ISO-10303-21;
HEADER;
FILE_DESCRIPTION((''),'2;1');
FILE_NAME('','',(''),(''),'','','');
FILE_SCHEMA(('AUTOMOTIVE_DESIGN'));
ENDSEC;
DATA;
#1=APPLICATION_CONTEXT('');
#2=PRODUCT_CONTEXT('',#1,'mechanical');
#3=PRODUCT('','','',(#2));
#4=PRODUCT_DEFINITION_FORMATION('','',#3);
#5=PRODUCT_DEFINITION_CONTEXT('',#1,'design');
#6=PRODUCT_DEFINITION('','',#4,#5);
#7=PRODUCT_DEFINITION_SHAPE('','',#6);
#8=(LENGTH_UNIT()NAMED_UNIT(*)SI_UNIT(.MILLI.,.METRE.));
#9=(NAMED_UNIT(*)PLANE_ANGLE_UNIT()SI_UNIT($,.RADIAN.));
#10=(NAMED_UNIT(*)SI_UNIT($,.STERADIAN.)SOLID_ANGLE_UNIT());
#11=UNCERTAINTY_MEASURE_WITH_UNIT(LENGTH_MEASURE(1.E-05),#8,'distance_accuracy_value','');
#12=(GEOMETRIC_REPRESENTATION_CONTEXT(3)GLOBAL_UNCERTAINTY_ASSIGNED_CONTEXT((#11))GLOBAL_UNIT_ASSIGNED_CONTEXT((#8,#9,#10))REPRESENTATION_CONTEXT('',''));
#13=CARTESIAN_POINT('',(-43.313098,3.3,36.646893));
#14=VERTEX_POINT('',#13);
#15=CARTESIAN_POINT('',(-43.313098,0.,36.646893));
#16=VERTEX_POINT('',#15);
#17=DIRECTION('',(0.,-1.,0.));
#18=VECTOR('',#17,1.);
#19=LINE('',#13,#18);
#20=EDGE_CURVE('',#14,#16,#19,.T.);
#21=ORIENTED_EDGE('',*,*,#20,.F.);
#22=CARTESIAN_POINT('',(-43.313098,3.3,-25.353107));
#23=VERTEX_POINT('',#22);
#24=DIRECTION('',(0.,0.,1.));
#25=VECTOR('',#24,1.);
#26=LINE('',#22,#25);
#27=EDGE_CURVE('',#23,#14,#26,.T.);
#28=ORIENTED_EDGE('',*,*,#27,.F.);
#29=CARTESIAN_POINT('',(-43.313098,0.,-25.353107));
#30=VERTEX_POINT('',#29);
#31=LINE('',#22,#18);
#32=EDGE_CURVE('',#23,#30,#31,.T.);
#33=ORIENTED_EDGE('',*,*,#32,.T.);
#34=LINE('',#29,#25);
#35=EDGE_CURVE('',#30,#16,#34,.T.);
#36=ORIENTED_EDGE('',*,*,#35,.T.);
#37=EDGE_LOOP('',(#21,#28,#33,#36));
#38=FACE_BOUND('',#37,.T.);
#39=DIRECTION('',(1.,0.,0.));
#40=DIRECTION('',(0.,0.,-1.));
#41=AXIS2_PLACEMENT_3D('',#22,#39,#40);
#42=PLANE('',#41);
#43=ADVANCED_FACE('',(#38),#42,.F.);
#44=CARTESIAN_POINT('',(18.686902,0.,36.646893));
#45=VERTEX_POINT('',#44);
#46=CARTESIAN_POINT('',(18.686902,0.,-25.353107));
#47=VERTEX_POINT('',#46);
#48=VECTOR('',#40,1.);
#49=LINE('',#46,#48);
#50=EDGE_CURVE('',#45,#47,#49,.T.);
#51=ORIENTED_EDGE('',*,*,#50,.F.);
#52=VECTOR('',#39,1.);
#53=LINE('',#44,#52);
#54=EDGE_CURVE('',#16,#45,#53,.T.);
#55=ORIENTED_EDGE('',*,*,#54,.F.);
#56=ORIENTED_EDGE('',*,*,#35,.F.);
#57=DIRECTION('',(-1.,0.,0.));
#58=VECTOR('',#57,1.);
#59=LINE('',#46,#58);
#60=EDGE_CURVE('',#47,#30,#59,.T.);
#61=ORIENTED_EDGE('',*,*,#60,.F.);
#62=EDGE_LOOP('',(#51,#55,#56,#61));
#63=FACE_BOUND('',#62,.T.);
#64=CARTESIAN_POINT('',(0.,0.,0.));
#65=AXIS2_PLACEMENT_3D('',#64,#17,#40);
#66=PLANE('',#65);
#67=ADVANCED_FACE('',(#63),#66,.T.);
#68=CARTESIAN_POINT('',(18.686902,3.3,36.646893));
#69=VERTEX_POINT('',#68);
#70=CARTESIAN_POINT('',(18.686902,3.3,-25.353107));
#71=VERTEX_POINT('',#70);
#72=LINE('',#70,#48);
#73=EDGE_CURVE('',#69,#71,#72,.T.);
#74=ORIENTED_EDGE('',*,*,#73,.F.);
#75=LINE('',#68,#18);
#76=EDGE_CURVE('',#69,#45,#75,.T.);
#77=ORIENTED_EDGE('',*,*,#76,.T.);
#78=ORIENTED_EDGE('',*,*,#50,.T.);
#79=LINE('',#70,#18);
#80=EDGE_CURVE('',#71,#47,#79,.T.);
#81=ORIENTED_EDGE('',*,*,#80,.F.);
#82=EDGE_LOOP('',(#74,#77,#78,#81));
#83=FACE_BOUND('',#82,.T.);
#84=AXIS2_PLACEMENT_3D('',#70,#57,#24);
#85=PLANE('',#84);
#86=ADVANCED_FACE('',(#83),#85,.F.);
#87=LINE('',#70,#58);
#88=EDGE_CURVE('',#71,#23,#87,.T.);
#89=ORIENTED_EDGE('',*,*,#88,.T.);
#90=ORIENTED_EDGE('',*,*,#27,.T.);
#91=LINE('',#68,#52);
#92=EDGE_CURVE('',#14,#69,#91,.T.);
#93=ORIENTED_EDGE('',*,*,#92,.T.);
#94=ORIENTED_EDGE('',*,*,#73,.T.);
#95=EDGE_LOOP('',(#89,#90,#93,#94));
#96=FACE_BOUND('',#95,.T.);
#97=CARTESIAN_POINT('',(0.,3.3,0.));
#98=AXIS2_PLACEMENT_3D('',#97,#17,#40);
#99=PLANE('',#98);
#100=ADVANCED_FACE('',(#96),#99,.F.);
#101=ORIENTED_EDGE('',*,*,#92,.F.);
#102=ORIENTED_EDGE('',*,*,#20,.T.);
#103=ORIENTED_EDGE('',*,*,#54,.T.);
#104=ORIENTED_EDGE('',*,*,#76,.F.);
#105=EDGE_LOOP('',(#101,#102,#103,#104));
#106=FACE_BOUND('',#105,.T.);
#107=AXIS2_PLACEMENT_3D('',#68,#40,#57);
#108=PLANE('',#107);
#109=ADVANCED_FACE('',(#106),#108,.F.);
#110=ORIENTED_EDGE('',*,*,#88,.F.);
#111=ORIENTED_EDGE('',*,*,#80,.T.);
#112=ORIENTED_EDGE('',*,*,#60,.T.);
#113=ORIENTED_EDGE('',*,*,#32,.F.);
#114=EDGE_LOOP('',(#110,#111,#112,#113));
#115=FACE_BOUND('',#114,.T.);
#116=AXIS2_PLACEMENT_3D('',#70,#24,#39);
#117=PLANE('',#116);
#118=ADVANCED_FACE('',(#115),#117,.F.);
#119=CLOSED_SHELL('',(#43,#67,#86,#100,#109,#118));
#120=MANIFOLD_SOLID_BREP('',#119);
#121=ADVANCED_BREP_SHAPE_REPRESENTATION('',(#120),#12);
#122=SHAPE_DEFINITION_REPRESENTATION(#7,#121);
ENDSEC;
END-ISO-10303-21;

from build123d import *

# Parameters (mm, degrees)
SKETCH1_W           = 62
SKETCH1_H           = 62
BOSS_EXTRUDE1_DEPTH = 3.3


with BuildPart() as part:
    # Sketch1 → Boss-Extrude1 (new body)
    with BuildSketch(Plane(origin=(0, 0, 0), x_dir=(1, 0, 0), z_dir=(0, 1, 0))):
        with Locations((-12.313097572, -5.64689323)):
            Rectangle(SKETCH1_W, SKETCH1_H)
    extrude(amount=BOSS_EXTRUDE1_DEPTH)


solid = part.part
